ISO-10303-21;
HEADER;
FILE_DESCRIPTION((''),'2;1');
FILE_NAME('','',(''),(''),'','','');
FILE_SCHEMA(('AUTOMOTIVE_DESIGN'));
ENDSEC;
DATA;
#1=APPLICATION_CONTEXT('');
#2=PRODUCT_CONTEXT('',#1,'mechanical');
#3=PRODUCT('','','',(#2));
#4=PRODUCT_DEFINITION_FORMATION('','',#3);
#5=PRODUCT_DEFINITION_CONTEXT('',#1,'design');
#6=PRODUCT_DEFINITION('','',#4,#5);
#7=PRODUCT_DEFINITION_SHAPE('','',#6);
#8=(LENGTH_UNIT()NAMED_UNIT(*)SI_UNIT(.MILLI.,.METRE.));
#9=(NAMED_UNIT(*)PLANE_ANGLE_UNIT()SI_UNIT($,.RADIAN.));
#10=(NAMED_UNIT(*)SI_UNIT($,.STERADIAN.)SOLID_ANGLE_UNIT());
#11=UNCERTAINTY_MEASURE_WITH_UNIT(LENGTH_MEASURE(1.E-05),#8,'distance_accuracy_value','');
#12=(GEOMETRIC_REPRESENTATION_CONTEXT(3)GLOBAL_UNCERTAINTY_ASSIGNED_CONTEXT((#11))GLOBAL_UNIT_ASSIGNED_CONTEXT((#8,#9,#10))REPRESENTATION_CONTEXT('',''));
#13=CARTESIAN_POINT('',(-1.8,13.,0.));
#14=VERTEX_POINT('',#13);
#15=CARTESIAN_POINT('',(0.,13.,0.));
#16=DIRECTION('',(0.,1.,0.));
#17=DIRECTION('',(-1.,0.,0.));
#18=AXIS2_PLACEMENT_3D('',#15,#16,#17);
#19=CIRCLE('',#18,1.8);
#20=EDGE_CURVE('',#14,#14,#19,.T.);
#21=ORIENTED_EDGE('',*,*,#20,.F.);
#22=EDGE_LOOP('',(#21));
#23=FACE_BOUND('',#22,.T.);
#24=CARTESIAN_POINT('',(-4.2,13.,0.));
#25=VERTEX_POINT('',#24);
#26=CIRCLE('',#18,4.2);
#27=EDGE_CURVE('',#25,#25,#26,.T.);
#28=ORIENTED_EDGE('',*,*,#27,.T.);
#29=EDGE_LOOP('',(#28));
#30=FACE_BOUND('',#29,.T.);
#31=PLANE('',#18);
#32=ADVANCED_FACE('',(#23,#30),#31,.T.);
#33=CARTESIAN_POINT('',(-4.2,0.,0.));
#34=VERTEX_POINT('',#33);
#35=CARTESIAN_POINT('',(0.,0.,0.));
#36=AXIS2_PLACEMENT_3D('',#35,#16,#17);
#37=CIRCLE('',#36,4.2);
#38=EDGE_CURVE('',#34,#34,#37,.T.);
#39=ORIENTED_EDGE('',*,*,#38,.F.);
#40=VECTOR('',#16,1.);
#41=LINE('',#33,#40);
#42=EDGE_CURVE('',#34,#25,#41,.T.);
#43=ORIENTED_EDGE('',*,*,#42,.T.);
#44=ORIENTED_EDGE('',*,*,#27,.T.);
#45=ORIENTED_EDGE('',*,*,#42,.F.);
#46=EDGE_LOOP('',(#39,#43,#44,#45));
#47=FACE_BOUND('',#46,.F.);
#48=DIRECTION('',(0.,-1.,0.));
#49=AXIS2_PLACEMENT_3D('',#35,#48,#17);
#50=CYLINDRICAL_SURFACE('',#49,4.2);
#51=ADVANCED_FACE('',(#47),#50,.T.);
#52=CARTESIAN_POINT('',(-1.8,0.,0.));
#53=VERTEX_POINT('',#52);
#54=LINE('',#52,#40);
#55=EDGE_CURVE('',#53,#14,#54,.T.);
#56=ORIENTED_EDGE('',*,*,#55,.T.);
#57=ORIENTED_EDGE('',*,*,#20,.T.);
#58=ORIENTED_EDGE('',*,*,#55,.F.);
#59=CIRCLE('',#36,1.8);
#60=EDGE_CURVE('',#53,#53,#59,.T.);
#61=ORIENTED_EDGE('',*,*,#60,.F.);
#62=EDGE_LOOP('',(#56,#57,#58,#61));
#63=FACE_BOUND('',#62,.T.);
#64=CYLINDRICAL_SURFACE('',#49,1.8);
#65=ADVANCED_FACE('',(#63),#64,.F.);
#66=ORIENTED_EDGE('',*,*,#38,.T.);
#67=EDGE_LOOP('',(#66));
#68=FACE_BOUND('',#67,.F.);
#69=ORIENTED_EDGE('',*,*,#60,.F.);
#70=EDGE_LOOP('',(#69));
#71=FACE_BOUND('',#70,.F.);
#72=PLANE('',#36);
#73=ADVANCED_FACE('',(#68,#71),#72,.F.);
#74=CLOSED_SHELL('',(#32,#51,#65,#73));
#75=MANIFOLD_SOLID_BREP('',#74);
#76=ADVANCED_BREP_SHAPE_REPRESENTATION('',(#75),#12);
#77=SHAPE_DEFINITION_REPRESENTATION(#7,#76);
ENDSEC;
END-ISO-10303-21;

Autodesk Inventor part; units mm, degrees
ref_plane "YZ Plane" through (0, 0, 0) normal (1, 0, 0) x (0, 1, 0)
ref_plane "XZ Plane" through (0, 0, 0) normal (0, 1, 0) x (-1, 0, 0)
ref_plane "XY Plane" through (0, 0, 0) normal (0, 0, 1) x (1, 0, 0)
sketch "Boceto1" plane through (0, 0, 0) normal (0, 1, 0) x (-1, 0, 0)
  circle A0 centre (0, 0) radius 4.2
  circle A1 centre (0, 0) radius 1.8
  dimension "d0" = 8.4
  dimension "d1" = 3.6
extrude "Extrusión1" add sketch "Boceto1" along normal blind 13
properties part number "shoulder motor separator"
